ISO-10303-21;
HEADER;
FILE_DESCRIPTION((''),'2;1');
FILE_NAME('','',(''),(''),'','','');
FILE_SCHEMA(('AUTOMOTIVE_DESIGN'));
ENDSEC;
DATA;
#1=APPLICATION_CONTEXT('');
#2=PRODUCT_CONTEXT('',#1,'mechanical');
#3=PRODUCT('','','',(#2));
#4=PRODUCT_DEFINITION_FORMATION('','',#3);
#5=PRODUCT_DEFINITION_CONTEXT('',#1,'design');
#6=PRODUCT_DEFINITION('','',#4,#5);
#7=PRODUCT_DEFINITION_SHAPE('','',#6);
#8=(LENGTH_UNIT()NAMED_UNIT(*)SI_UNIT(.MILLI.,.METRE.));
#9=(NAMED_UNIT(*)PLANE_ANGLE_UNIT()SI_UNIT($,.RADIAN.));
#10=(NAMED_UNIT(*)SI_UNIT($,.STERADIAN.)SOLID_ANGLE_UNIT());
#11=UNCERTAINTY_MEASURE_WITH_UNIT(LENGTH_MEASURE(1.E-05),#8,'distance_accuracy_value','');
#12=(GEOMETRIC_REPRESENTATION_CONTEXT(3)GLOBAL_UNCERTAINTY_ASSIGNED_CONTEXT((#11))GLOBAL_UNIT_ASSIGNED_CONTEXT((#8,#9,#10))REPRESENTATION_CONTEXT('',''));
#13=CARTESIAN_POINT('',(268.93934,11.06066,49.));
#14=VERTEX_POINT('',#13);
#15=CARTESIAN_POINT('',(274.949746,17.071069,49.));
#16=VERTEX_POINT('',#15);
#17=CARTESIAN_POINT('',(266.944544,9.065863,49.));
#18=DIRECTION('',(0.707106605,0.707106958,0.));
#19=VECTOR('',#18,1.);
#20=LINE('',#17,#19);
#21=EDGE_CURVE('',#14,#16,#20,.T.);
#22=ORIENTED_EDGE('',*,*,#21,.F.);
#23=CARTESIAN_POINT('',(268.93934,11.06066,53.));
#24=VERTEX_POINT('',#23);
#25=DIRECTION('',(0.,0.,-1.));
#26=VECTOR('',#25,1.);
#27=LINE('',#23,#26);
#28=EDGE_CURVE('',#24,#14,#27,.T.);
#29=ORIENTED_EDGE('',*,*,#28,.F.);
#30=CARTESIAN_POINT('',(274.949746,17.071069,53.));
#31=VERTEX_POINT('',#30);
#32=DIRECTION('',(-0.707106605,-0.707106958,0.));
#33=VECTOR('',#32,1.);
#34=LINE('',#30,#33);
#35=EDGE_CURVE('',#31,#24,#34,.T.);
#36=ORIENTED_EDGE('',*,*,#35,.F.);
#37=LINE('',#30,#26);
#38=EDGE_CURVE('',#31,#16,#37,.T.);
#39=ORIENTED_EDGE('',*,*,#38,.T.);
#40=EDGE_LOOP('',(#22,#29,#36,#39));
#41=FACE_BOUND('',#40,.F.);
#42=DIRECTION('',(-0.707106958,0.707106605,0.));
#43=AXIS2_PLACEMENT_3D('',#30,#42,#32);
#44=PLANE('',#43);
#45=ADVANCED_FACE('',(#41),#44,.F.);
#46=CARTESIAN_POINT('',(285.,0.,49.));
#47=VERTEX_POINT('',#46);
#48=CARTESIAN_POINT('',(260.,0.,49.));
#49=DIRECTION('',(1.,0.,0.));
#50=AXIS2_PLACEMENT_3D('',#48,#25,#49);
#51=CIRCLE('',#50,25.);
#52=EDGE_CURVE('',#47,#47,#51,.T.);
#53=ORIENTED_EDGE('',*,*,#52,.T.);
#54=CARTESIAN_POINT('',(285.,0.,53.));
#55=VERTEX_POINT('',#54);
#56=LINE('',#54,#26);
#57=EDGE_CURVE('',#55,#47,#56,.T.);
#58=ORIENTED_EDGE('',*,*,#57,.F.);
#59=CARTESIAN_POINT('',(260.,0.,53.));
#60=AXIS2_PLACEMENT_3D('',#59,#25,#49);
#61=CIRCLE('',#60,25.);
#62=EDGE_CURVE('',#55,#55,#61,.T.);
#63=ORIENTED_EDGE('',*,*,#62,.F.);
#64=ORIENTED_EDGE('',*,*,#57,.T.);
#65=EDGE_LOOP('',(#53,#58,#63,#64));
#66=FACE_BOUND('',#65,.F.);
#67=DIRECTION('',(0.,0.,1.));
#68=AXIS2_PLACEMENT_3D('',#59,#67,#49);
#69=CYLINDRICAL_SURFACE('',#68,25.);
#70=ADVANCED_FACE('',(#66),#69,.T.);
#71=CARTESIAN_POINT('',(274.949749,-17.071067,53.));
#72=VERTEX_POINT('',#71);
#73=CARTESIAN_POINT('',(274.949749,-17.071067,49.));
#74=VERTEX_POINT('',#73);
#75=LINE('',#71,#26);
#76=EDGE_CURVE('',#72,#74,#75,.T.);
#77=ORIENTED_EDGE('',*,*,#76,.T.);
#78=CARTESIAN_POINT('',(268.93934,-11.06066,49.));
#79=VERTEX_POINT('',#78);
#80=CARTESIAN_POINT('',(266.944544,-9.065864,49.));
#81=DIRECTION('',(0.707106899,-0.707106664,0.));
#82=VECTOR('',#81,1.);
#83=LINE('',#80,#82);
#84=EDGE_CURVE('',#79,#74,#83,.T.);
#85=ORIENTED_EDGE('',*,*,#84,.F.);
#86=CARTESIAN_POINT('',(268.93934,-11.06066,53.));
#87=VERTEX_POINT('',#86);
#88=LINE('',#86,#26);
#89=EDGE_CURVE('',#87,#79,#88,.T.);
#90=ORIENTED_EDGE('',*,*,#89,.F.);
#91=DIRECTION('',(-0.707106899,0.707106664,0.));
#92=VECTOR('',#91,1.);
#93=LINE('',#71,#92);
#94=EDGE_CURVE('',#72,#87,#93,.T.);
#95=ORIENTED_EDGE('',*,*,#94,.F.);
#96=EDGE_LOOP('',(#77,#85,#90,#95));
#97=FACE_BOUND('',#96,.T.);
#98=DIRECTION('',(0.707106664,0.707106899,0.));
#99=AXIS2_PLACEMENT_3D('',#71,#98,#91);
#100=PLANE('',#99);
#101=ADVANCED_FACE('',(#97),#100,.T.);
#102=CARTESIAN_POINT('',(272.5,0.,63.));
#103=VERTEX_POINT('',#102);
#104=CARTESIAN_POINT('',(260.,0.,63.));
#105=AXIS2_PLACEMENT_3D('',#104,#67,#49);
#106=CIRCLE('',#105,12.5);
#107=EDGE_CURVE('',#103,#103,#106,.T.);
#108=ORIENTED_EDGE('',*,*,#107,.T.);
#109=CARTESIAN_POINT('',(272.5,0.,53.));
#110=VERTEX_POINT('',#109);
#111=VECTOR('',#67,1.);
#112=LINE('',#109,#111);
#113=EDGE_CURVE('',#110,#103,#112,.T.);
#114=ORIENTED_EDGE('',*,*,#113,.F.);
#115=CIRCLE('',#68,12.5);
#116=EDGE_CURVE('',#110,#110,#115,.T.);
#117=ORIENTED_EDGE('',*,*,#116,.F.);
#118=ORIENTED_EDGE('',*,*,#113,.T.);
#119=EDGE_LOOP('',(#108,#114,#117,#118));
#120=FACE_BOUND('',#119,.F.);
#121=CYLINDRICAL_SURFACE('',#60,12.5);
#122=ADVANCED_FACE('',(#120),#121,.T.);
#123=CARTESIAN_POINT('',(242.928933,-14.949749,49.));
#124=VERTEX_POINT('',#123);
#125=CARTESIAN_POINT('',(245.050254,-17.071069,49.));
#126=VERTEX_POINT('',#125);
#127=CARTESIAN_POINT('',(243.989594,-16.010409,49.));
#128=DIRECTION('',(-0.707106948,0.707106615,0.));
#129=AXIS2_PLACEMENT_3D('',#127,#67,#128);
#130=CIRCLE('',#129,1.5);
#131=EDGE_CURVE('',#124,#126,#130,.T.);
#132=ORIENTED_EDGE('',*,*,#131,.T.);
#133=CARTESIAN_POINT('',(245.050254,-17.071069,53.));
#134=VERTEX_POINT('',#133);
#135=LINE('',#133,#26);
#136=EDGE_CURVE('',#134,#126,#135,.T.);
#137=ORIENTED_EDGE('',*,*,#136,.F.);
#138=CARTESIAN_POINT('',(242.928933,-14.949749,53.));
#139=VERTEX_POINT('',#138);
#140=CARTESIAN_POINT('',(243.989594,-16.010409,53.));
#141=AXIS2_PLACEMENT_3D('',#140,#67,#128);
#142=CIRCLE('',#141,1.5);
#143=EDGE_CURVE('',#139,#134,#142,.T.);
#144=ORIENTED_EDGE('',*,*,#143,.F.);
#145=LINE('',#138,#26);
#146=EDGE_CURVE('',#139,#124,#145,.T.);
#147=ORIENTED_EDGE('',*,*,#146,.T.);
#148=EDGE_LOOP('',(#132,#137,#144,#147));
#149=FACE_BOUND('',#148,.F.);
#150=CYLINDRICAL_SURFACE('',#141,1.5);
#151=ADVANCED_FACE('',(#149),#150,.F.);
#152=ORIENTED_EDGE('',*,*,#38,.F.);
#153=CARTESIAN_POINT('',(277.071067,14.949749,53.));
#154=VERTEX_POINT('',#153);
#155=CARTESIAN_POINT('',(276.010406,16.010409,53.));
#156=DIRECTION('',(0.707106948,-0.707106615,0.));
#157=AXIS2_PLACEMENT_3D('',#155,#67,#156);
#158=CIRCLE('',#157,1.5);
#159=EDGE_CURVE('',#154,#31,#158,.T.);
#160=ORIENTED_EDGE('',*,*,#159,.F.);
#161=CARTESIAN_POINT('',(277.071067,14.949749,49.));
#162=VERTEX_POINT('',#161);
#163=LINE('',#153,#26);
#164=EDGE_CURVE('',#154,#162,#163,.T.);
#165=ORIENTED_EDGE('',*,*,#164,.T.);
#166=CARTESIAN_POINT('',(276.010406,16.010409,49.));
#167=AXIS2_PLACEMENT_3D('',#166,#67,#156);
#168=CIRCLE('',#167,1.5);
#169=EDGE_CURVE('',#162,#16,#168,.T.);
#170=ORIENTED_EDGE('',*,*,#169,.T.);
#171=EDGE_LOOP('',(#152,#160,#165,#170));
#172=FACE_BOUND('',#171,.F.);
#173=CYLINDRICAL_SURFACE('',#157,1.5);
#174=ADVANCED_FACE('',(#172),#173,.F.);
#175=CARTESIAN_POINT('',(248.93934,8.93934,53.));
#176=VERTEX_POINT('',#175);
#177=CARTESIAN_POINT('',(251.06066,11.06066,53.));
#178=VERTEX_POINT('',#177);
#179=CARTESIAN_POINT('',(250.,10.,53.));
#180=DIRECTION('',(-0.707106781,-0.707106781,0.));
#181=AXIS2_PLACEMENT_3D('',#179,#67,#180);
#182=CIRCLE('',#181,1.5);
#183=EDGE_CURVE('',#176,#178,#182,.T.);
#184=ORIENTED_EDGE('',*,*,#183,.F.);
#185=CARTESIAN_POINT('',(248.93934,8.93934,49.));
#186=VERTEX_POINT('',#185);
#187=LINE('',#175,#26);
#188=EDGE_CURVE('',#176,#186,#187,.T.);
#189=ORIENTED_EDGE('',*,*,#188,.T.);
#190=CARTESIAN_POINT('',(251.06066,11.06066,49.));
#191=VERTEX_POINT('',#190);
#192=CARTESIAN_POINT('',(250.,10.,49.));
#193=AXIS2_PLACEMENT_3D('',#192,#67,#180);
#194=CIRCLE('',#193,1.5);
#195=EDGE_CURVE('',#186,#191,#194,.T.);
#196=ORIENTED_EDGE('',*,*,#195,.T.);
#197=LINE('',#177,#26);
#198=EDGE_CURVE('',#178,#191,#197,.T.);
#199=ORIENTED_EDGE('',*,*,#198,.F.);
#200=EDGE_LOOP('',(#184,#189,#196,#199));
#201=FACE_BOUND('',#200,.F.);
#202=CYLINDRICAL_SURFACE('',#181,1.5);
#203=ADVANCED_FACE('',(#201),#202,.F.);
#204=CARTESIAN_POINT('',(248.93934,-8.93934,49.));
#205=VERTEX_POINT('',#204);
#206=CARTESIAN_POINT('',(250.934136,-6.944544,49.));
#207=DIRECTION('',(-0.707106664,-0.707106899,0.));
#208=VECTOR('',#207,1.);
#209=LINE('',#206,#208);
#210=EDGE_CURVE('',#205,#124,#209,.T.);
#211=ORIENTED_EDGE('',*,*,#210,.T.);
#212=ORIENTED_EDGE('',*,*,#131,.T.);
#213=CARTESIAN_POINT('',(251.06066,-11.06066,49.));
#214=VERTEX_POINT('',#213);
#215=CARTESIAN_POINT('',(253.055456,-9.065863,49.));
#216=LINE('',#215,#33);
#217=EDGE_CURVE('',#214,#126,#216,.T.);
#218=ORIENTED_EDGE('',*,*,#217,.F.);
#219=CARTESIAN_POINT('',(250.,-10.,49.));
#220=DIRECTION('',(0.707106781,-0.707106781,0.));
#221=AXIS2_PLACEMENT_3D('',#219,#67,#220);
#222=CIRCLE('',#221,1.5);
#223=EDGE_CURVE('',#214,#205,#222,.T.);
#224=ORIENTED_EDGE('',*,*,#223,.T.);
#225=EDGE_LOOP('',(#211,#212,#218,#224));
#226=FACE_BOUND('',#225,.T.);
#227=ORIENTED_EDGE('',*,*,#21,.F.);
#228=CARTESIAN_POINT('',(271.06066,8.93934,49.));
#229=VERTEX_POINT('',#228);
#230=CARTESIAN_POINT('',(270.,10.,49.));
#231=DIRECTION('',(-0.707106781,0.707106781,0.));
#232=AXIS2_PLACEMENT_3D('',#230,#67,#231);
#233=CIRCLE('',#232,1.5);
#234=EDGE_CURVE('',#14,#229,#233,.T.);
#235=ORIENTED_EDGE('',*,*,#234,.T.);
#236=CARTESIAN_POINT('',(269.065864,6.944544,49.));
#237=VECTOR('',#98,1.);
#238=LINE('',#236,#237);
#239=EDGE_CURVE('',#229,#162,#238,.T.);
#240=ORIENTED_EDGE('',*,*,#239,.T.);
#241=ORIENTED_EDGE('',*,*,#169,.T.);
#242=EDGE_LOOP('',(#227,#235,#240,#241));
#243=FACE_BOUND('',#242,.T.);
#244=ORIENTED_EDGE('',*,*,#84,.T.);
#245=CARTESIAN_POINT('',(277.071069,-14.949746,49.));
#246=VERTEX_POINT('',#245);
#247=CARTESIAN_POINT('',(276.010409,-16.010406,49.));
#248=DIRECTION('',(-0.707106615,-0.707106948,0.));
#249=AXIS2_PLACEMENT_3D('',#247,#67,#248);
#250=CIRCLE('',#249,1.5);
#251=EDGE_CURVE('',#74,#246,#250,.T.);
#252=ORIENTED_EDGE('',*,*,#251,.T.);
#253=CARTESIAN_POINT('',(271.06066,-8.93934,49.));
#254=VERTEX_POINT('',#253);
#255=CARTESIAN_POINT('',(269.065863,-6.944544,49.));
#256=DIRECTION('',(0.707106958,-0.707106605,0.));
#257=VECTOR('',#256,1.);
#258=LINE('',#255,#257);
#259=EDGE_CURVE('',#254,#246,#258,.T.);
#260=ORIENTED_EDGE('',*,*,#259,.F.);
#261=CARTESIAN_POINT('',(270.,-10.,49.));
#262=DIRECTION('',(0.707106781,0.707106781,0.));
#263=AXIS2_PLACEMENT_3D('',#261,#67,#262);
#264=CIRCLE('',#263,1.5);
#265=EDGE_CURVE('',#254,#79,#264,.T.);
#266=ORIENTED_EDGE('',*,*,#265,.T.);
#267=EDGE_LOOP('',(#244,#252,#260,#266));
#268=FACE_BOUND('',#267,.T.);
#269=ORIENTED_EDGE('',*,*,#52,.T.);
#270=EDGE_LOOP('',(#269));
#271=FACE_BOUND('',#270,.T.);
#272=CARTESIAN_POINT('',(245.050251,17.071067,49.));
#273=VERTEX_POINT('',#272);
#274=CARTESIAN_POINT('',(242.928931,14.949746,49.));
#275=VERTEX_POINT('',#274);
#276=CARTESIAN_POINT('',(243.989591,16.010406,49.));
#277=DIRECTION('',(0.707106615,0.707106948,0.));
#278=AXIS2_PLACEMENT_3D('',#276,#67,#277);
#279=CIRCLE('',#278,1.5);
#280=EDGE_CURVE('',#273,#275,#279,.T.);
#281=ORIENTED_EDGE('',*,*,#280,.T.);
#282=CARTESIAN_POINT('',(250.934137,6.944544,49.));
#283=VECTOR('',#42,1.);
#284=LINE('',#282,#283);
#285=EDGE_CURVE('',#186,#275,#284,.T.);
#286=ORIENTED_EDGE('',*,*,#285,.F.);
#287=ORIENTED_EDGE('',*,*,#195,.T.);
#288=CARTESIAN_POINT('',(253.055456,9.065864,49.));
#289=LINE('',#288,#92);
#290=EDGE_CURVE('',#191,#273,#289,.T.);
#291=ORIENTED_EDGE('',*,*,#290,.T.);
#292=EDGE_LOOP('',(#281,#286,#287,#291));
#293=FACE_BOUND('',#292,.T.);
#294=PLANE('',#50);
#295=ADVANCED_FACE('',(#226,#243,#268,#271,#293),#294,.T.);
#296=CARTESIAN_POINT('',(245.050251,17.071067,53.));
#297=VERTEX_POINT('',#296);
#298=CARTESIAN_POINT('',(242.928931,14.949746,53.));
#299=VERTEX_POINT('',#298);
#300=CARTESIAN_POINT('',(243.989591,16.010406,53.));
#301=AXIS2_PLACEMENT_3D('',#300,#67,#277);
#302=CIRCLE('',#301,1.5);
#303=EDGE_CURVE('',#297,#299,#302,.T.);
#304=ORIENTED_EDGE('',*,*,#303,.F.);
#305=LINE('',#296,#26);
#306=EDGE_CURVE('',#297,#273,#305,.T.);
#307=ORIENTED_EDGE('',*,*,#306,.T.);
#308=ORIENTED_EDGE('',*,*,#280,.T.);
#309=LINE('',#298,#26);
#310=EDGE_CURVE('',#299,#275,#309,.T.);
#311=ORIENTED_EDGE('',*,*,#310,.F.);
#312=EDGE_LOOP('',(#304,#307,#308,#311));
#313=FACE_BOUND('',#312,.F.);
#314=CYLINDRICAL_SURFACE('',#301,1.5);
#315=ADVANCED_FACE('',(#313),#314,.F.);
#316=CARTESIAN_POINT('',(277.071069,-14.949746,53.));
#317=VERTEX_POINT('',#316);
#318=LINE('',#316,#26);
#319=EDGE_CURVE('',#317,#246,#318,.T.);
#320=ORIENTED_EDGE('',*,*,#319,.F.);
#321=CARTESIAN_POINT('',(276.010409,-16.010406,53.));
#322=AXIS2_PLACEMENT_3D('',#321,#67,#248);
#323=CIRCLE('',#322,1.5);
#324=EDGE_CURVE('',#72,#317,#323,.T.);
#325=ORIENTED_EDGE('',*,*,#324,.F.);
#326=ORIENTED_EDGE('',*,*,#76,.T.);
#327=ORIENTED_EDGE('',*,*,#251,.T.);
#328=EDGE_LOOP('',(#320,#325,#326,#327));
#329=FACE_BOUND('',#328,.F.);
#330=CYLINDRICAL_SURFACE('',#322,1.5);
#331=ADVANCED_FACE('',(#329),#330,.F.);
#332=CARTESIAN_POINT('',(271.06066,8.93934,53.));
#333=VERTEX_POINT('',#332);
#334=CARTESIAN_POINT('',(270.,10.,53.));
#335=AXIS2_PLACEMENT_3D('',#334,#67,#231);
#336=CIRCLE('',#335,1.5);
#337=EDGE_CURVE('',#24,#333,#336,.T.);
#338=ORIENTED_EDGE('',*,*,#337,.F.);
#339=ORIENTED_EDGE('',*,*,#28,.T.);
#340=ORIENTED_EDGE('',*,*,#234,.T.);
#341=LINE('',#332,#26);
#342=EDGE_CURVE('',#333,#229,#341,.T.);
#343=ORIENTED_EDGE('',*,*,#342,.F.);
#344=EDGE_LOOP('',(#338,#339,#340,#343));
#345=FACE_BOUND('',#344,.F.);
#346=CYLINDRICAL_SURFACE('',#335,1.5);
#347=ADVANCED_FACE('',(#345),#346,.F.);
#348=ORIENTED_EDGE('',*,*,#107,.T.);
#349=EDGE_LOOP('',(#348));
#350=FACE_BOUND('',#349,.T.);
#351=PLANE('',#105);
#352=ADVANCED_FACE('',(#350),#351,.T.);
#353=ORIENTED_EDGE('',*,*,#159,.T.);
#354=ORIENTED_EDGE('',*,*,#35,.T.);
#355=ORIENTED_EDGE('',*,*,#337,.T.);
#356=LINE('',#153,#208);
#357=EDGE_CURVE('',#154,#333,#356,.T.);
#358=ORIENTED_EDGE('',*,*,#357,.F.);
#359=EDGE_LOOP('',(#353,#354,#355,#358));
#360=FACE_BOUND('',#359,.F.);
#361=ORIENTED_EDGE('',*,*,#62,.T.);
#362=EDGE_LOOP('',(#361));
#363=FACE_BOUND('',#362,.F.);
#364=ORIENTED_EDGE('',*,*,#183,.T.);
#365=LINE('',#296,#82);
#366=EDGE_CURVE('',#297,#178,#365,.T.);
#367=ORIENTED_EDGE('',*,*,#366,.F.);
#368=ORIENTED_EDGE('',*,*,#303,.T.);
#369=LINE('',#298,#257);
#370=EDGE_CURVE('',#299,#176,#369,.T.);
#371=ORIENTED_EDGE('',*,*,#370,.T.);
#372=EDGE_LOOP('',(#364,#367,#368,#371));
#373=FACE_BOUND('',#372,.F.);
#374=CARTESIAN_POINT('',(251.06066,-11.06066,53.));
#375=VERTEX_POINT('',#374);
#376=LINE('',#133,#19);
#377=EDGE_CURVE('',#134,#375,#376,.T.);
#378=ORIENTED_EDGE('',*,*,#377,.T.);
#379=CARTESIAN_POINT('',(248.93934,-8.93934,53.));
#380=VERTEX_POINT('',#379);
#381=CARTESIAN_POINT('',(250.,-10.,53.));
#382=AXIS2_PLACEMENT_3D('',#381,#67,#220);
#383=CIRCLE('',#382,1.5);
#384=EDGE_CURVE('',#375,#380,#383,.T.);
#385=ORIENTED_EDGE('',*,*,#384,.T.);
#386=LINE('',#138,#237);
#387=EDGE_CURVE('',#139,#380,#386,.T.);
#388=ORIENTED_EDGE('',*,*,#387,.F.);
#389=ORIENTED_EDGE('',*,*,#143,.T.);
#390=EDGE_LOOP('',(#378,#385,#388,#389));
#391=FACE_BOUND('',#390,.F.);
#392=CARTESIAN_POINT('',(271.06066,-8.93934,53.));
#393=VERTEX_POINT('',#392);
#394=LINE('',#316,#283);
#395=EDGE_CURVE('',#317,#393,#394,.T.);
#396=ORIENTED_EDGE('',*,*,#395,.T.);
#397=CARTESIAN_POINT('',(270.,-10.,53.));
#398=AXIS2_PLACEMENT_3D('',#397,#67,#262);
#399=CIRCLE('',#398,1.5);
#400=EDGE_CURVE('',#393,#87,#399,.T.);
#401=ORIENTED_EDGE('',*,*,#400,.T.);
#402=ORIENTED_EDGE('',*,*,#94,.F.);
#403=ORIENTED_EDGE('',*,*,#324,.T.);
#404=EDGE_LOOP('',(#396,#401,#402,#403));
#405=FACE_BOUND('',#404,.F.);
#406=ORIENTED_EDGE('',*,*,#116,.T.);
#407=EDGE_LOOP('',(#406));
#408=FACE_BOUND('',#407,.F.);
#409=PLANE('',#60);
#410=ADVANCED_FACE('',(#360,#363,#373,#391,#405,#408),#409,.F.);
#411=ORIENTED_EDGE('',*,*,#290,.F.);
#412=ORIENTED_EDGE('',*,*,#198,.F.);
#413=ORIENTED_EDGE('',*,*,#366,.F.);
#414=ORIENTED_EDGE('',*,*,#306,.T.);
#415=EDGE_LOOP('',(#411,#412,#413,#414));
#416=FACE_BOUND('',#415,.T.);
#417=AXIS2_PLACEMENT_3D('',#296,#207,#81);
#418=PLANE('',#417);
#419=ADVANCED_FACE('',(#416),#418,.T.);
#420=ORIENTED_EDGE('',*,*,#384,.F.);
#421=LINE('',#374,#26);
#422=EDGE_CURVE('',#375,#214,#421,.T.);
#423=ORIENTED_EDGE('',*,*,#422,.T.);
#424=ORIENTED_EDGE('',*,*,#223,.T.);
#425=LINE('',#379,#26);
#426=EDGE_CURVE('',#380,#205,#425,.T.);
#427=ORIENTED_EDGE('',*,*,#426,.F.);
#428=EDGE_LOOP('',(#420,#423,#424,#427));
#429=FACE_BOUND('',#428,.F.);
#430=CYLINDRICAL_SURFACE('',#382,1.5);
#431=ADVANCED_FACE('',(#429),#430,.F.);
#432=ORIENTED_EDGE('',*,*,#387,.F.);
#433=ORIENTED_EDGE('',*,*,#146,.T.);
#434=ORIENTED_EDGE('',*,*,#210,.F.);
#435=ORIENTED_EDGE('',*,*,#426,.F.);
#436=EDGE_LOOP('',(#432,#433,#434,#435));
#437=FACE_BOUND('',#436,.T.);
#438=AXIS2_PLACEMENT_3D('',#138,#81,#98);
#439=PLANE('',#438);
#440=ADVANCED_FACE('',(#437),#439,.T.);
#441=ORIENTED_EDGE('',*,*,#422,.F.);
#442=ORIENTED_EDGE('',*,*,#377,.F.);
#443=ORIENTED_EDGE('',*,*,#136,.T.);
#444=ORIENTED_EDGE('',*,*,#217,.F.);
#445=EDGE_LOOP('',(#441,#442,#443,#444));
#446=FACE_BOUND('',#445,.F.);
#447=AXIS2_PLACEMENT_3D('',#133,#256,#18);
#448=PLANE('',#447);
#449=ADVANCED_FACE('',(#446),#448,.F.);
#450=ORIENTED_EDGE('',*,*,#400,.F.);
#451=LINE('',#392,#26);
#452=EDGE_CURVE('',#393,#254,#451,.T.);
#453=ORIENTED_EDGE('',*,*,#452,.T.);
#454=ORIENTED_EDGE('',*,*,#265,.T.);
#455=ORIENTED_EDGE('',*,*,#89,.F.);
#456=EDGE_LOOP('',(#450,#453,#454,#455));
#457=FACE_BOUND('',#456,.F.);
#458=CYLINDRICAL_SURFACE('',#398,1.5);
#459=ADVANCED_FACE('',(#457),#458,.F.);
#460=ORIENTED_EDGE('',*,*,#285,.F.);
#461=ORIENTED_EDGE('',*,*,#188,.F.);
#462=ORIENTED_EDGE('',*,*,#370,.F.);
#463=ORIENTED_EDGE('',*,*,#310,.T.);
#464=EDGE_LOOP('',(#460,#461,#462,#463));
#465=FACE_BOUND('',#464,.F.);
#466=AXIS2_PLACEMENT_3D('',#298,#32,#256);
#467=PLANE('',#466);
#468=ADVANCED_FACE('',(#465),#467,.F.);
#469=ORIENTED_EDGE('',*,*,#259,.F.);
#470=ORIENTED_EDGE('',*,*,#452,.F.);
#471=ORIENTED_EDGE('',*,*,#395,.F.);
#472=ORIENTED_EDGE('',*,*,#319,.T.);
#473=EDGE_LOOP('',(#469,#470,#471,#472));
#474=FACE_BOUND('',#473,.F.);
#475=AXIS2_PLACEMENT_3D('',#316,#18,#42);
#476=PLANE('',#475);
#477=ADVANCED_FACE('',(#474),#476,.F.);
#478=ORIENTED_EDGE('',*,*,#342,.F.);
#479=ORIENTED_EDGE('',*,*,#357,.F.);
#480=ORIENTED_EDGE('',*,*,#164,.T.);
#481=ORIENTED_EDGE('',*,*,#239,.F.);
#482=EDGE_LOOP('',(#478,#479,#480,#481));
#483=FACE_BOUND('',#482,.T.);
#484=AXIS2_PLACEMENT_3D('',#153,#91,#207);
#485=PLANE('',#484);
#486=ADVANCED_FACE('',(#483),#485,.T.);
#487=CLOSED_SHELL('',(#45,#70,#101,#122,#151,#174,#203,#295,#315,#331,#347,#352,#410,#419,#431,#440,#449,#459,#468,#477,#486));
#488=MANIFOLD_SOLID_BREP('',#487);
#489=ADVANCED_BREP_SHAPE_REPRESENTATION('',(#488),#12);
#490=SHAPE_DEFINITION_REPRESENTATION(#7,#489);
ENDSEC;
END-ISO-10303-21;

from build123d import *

# Parameters (mm, degrees)
SKETCH076_R           = 12.5
PAD031_DEPTH          = 10
SKETCH077_R           = 25
PAD032_DEPTH          = 4
POCKET030_DEPTH       = 5
POLARPATTERN005_COUNT = 4


with BuildPart() as part:
    # Sketch076 → Pad031 (new body)
    with BuildSketch(Plane.XY):
        Circle(SKETCH076_R)
    extrude(amount=PAD031_DEPTH)

    # Sketch077 (on Face2 of Pad031) → Pad032 (join)
    with BuildSketch(Plane(origin=(0, 0, 0), x_dir=(1, 0, 0), z_dir=(0, 0, -1))):
        Circle(SKETCH077_R)
    extrude(amount=PAD032_DEPTH)

    # Sketch078 (on Face2 of Pad032) → Pocket030 (cut)
    with BuildSketch(Plane.XY):
        with BuildLine():
            ThreePointArc((-14.949749, 17.071067), (-17.071069, 17.071067), (-17.071069, 14.949746))
            Line((-17.071069, 14.949746), (-11.06066, 8.93934))
            ThreePointArc((-11.06066, 8.93934), (-8.93934, 8.93934), (-8.93934, 11.06066))
            Line((-14.949749, 17.071067), (-8.93934, 11.06066))
        make_face()
    pocket030 = extrude(amount=-POCKET030_DEPTH, mode=Mode.SUBTRACT)

    # PolarPattern005: Pocket030 ×4 about axis
    polarpattern005_axis = Axis((0, 0, 0), (0, 0, 1))
    for i in range(1, POLARPATTERN005_COUNT):
        add(pocket030.rotate(polarpattern005_axis, i * 360 / POLARPATTERN005_COUNT), mode=Mode.SUBTRACT)


with BuildPart() as part_1:
    # Body006 placement: moved
    add(part.part.moved(Location((260, 0, 53))))


solid = part_1.part
